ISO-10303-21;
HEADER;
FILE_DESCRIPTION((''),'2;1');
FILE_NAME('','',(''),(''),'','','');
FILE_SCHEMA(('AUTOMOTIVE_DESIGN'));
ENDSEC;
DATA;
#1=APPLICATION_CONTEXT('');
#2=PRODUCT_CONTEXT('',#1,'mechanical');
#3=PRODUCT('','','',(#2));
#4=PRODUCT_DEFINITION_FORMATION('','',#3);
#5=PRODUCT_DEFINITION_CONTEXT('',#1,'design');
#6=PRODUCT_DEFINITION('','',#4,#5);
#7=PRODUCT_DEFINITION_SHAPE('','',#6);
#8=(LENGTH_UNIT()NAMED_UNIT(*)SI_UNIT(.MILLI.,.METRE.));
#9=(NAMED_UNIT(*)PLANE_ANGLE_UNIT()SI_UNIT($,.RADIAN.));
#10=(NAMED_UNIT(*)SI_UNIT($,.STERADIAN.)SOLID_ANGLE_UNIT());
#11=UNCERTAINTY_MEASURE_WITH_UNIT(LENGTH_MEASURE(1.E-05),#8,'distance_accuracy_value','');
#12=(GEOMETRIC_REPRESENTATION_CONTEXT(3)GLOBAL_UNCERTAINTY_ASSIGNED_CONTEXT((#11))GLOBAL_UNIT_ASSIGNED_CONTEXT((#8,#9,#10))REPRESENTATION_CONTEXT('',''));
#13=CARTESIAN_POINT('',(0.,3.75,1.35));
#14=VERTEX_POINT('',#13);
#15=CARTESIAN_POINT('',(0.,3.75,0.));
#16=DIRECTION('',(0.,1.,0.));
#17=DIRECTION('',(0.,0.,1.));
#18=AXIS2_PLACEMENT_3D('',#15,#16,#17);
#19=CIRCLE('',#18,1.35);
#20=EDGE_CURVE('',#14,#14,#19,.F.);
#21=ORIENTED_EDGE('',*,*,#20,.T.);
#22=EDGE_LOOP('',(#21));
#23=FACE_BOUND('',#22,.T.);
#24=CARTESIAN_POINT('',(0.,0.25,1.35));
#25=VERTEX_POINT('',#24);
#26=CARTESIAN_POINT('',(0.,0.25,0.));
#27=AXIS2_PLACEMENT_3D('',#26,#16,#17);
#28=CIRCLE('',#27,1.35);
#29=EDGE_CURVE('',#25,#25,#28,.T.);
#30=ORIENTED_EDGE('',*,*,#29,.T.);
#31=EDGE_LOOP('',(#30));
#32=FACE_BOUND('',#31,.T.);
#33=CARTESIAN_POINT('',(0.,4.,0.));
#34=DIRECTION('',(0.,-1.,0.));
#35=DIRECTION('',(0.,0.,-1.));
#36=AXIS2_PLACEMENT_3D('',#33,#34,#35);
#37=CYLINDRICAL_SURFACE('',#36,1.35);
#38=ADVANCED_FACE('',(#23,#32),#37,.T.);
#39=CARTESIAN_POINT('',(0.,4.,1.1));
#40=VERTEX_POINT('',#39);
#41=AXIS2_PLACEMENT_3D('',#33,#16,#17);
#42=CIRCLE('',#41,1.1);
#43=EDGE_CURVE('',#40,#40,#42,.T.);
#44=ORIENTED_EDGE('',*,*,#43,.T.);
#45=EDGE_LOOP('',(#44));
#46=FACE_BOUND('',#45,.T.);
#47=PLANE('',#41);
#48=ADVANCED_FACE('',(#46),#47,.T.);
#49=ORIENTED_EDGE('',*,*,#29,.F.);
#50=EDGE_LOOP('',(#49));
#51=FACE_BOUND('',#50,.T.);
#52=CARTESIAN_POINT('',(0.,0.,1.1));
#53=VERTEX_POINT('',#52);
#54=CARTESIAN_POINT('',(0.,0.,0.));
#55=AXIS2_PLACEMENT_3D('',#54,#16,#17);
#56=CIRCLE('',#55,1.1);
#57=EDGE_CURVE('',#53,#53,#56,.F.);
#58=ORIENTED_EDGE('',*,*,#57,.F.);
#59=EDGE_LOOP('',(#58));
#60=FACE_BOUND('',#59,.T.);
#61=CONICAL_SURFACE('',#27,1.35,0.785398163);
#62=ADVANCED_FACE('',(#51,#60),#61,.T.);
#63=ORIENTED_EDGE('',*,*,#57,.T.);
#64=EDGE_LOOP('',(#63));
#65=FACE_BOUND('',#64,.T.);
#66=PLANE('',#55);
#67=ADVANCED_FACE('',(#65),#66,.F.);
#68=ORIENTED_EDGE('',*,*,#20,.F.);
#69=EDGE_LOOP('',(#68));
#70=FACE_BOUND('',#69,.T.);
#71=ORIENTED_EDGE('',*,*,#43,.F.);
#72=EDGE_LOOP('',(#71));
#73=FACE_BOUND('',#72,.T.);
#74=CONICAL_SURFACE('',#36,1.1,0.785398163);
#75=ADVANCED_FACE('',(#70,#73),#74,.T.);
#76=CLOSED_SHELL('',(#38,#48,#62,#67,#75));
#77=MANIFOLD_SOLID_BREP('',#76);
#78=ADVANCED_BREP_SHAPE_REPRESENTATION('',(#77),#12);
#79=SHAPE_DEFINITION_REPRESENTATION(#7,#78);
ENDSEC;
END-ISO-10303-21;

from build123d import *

# Parameters (mm, degrees)
SKETCH1_R           = 1.35
BOSS_EXTRUDE1_DEPTH = 4
CHAMFER1_SIZE       = 0.25


with BuildPart() as part:
    # Sketch1 → Boss-Extrude1 (new body)
    with BuildSketch(Plane(origin=(0, 0, 0), x_dir=(1, 0, 0), z_dir=(0, 1, 0))):
        Circle(SKETCH1_R)
    extrude(amount=BOSS_EXTRUDE1_DEPTH)

    # Chamfer1
    chamfer1_edges = [part.edges().sort_by_distance(p)[0] for p in [
        (-1.35, 0, 0),
        (-1.35, 4, 0),
    ]]
    chamfer(chamfer1_edges, length=CHAMFER1_SIZE)


solid = part.part
